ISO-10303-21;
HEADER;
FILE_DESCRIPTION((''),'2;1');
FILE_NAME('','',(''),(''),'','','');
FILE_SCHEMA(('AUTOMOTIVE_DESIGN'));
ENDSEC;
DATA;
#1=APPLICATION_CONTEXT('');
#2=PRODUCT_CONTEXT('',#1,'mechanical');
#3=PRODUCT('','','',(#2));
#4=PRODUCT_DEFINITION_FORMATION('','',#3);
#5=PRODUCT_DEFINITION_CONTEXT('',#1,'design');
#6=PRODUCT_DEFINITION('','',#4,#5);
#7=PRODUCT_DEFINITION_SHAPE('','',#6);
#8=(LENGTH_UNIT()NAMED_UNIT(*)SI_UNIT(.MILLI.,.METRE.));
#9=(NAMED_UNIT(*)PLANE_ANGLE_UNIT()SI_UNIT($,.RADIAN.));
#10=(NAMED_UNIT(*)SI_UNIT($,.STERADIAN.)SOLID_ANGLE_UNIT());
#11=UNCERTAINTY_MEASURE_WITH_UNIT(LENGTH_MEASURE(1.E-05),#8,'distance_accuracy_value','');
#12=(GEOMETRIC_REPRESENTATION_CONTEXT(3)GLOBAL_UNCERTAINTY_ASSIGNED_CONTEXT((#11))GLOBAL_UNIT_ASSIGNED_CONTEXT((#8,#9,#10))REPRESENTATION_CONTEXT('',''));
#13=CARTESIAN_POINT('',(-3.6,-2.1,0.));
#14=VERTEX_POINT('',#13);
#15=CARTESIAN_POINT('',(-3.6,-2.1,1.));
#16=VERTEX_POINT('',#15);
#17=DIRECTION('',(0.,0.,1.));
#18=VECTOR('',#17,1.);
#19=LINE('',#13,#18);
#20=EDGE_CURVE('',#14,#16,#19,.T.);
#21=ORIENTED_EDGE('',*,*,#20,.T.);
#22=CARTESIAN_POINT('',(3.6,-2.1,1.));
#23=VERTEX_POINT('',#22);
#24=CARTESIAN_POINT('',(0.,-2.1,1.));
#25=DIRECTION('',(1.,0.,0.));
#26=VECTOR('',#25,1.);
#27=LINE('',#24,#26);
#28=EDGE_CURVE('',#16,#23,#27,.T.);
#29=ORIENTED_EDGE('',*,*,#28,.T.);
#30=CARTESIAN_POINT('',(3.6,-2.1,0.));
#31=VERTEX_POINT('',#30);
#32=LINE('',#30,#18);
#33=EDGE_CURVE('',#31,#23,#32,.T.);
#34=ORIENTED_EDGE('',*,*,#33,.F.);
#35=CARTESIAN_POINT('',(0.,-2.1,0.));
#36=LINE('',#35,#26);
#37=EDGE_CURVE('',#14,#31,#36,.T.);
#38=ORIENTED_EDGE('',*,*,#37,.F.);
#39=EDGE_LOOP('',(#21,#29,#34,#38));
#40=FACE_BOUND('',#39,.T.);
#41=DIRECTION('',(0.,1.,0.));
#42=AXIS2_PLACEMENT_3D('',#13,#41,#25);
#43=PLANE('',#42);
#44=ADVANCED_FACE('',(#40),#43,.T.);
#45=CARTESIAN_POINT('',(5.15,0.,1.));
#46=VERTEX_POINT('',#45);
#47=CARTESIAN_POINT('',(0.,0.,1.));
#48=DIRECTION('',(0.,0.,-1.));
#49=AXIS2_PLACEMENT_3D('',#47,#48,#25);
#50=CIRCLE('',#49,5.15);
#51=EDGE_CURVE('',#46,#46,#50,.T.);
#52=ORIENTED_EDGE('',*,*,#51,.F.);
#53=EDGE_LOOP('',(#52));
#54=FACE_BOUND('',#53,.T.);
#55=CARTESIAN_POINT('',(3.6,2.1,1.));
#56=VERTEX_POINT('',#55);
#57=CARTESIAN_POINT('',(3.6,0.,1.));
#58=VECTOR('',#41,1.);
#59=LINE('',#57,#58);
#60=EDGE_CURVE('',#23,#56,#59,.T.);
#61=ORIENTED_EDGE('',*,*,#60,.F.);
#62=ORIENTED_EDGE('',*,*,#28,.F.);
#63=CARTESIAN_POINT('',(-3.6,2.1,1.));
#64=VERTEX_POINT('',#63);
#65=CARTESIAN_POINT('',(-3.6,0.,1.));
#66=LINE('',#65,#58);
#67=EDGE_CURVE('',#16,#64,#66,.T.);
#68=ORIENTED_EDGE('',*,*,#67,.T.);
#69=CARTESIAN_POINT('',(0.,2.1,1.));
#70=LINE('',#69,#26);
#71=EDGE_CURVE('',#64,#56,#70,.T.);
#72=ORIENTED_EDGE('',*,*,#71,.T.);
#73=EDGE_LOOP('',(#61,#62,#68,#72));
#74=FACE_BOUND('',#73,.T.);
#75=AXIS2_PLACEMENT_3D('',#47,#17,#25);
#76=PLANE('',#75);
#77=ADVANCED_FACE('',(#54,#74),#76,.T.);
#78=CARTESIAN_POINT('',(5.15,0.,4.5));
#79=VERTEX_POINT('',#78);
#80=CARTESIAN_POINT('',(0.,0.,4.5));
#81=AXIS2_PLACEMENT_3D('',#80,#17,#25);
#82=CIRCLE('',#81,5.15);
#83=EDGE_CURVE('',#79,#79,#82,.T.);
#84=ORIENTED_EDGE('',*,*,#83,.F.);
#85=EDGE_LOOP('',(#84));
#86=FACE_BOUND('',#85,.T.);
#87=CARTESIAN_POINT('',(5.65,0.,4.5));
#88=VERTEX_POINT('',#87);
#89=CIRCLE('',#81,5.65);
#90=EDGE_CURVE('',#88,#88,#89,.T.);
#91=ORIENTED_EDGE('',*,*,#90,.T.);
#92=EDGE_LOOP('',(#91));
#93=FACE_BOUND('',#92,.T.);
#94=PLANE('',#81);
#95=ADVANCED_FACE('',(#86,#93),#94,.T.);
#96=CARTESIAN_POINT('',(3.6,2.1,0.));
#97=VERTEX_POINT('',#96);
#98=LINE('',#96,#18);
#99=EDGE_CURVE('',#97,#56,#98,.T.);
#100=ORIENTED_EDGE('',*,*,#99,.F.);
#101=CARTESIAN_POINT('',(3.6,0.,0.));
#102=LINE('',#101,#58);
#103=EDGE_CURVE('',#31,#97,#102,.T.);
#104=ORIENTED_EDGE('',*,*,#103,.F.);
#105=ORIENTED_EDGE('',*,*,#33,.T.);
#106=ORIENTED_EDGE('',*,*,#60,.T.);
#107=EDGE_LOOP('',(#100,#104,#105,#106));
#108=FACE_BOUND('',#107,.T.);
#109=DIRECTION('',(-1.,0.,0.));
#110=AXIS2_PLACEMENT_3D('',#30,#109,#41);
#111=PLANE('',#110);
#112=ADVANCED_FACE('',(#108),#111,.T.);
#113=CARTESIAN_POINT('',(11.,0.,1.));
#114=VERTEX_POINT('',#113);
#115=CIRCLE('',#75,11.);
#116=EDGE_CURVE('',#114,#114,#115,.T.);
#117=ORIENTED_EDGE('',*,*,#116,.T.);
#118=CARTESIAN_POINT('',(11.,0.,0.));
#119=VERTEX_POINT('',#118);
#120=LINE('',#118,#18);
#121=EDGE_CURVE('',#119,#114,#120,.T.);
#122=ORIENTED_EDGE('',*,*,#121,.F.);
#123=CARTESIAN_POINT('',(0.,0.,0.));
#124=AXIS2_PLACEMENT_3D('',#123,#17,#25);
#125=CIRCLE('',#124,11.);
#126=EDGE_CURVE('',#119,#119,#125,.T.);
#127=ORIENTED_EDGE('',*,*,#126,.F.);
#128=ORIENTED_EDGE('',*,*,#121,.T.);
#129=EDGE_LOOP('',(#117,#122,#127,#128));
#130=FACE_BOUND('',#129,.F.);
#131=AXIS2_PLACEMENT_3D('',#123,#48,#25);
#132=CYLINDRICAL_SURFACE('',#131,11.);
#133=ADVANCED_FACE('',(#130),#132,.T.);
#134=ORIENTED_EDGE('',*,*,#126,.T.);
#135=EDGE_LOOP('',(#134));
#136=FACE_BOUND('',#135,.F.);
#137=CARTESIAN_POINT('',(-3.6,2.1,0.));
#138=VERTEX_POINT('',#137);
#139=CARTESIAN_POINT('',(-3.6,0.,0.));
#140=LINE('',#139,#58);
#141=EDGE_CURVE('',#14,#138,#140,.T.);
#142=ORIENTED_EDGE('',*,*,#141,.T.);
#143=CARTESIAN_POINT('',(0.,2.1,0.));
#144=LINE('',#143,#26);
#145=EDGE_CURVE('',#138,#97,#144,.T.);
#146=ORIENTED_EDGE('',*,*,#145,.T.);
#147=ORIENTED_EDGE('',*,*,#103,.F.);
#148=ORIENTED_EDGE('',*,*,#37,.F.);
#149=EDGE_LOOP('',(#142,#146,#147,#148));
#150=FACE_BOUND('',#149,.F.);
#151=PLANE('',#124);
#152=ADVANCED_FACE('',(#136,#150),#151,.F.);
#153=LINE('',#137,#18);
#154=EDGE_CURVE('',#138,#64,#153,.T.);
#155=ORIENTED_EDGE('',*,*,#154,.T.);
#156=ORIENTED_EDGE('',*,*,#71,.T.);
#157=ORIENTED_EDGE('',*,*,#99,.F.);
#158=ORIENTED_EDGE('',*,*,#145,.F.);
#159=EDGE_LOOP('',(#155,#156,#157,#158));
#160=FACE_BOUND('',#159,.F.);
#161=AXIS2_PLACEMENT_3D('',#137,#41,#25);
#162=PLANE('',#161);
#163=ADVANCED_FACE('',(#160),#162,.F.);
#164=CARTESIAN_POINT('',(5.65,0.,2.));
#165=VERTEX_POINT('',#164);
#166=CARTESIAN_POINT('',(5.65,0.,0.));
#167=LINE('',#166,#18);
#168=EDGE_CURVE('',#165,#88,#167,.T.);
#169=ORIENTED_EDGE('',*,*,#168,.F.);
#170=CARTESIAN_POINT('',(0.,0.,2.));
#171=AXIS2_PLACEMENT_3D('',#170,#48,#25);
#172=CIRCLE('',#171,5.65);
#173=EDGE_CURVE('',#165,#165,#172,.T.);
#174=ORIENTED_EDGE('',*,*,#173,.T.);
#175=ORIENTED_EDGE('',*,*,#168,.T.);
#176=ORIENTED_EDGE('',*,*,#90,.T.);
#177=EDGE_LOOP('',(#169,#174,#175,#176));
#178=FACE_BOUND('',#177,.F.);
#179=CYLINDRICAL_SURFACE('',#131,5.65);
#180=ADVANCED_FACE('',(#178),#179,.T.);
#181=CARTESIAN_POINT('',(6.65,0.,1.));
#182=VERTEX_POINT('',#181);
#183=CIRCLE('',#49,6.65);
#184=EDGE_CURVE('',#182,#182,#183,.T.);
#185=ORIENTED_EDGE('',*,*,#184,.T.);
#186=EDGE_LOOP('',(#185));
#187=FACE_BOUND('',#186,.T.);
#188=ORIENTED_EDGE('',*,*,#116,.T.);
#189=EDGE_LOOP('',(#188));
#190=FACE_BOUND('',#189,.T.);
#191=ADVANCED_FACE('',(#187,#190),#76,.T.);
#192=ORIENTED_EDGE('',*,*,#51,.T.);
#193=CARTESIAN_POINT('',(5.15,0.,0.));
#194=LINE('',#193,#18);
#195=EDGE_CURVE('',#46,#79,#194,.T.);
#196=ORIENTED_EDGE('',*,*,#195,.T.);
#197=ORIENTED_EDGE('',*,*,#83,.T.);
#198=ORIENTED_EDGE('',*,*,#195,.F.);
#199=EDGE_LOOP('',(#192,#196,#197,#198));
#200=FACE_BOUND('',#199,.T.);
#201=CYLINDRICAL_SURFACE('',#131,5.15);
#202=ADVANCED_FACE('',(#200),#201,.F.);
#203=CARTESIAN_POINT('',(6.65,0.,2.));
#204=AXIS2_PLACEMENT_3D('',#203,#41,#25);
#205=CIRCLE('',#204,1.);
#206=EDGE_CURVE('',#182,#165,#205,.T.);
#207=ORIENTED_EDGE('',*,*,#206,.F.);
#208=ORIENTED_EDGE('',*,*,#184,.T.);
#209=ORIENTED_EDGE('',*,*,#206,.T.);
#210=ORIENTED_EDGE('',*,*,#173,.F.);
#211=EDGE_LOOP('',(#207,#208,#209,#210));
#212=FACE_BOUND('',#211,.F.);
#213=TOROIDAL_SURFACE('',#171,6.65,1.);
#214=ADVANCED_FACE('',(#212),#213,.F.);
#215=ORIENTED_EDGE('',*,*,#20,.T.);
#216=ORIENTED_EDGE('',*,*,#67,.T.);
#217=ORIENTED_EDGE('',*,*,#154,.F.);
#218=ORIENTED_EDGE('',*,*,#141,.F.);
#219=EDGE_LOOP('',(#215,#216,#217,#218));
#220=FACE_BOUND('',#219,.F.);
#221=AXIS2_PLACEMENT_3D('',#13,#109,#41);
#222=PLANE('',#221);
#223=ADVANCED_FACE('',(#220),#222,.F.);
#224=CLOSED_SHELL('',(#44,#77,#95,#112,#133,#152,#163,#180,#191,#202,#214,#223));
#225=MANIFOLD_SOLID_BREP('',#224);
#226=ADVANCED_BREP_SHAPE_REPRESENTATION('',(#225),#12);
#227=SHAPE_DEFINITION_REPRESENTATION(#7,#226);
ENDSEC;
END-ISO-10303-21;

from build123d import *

# Parameters (mm, degrees)
F1_R     = 11
F1_W     = 7.2
F1_H     = 4.2
F2_DEPTH = 1
F0_R     = 5.65
F0_R_2   = 5.15
F3_DEPTH = 4.5
F4_R     = 1


with BuildPart() as f2:
    # F1 (on Top) → F2 (new body)
    with BuildSketch(Plane.XY):
        Circle(F1_R)
        Rectangle(F1_W, F1_H, mode=Mode.SUBTRACT)
    extrude(amount=F2_DEPTH)

    # F0 (on Top) → F3 (join)
    with BuildSketch(Plane.XY):
        Circle(F0_R)
        Circle(F0_R_2, mode=Mode.SUBTRACT)
    extrude(amount=F3_DEPTH)

    # F4
    f4_edges = [f2.edges().sort_by_distance(p)[0] for p in [
        (-5.65, 0, 1),
    ]]
    fillet(f4_edges, radius=F4_R)


solid = f2.part
